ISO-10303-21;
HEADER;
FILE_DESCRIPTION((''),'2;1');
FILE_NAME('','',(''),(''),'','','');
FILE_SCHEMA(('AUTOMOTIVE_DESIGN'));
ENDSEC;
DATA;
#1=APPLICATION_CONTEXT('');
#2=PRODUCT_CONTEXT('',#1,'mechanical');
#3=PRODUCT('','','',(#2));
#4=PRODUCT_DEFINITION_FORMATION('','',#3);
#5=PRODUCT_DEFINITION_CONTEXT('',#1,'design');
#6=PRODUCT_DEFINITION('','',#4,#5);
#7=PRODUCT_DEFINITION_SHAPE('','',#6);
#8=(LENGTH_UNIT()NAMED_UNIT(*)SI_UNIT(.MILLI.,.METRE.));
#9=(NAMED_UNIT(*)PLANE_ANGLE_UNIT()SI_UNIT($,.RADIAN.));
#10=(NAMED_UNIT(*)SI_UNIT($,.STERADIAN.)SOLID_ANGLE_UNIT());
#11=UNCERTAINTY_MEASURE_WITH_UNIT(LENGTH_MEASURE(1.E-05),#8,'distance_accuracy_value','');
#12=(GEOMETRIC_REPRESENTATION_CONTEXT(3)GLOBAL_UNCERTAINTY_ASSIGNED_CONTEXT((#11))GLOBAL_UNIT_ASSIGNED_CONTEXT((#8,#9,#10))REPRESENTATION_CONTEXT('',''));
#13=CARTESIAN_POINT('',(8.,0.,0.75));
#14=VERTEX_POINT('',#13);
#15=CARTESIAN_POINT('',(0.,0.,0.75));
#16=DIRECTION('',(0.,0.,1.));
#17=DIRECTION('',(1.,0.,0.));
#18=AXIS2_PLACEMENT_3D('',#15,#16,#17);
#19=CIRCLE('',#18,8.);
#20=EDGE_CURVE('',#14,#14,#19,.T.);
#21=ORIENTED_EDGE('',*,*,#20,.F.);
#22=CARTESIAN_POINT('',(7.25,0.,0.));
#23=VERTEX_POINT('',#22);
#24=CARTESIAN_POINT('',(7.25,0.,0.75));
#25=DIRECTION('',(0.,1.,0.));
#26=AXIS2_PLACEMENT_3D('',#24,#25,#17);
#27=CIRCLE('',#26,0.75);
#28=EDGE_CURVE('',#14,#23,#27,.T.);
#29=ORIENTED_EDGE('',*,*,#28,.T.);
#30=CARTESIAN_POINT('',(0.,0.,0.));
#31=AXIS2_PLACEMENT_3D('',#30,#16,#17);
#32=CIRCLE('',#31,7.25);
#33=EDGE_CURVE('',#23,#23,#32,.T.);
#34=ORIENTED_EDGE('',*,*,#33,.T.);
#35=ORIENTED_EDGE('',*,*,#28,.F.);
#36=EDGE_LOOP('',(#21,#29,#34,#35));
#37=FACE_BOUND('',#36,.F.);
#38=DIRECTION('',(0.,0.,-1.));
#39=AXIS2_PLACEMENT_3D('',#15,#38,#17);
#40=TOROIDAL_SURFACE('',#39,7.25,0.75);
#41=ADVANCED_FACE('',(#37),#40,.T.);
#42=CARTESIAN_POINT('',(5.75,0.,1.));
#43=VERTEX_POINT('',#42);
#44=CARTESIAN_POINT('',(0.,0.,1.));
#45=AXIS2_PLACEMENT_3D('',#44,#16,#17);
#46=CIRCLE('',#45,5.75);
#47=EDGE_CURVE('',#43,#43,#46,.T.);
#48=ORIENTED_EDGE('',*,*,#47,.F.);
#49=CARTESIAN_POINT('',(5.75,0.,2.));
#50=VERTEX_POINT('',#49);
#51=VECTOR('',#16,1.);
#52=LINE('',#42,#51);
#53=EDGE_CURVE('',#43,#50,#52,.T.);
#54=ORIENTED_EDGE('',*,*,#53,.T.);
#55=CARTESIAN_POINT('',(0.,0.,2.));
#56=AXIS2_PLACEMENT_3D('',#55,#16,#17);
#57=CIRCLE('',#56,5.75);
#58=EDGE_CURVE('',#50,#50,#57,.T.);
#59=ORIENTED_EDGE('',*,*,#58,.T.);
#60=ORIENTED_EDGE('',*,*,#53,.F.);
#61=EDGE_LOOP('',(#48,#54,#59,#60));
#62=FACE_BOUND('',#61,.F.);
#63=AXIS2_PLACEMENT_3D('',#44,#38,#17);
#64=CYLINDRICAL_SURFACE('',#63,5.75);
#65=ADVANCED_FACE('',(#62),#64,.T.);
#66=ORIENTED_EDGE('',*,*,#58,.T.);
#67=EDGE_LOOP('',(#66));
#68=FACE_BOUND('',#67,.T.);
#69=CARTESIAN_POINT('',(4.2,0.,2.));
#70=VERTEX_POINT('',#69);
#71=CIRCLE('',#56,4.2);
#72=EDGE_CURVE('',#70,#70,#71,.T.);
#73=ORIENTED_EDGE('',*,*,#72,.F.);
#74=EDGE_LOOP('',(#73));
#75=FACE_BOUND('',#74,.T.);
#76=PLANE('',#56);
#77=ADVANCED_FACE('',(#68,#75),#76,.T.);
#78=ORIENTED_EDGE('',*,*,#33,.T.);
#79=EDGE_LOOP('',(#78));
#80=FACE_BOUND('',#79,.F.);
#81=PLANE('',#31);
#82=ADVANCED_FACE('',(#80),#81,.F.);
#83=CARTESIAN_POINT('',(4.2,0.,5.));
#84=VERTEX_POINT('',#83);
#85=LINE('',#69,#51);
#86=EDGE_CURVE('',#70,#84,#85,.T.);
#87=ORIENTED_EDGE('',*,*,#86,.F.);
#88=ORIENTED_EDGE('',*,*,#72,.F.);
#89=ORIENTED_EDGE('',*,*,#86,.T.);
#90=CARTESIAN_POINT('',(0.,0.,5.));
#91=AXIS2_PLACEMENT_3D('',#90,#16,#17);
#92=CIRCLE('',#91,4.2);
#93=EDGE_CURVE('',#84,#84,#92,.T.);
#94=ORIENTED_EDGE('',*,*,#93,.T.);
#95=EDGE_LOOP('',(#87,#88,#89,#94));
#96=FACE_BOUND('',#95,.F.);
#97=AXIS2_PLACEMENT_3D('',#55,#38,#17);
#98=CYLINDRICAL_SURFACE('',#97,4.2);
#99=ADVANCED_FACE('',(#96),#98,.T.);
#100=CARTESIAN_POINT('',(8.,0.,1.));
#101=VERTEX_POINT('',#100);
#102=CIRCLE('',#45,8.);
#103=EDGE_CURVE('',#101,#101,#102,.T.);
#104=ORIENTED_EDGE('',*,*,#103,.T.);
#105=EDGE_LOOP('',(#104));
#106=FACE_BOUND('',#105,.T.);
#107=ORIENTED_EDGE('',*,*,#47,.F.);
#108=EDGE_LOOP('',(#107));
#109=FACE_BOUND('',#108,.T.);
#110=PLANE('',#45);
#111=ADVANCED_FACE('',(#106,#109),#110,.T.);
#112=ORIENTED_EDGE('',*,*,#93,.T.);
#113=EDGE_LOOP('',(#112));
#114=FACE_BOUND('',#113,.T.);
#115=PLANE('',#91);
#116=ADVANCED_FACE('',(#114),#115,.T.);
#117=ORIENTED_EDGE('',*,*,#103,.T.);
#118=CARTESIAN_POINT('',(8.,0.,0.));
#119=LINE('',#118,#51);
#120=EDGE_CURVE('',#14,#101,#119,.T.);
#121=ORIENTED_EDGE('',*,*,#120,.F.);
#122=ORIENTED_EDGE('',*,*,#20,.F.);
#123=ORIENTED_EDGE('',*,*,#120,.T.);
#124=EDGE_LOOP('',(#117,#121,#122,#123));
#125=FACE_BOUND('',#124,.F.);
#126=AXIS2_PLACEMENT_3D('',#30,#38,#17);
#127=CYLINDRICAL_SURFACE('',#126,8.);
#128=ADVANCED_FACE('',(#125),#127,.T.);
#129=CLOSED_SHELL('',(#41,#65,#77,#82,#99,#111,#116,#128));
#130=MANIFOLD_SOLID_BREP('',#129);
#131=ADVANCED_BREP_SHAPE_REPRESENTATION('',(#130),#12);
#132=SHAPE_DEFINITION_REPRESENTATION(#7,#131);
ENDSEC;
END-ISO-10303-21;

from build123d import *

# Parameters (mm, degrees)
F0_R     = 8
F1_DEPTH = 1
F2_R     = 5.75
F3_DEPTH = 1
F4_R     = 4.2
F5_DEPTH = 3
F6_R     = 0.75


with BuildPart() as f1:
    # F0 (on Top) → F1 (new body)
    with BuildSketch(Plane.XY):
        Circle(F0_R)
    extrude(amount=F1_DEPTH)

    # F2 (on face) → F3 (join)
    with BuildSketch(Plane.XY.offset(1)):
        Circle(F2_R)
    extrude(amount=F3_DEPTH)

    # F4 (on face) → F5 (join)
    with BuildSketch(Plane.XY.offset(2)):
        Circle(F4_R)
    extrude(amount=F5_DEPTH)

    # F6
    f6_edges = [f1.edges().sort_by_distance(p)[0] for p in [
        (-8, 0, 0),
    ]]
    fillet(f6_edges, radius=F6_R)


solid = f1.part
